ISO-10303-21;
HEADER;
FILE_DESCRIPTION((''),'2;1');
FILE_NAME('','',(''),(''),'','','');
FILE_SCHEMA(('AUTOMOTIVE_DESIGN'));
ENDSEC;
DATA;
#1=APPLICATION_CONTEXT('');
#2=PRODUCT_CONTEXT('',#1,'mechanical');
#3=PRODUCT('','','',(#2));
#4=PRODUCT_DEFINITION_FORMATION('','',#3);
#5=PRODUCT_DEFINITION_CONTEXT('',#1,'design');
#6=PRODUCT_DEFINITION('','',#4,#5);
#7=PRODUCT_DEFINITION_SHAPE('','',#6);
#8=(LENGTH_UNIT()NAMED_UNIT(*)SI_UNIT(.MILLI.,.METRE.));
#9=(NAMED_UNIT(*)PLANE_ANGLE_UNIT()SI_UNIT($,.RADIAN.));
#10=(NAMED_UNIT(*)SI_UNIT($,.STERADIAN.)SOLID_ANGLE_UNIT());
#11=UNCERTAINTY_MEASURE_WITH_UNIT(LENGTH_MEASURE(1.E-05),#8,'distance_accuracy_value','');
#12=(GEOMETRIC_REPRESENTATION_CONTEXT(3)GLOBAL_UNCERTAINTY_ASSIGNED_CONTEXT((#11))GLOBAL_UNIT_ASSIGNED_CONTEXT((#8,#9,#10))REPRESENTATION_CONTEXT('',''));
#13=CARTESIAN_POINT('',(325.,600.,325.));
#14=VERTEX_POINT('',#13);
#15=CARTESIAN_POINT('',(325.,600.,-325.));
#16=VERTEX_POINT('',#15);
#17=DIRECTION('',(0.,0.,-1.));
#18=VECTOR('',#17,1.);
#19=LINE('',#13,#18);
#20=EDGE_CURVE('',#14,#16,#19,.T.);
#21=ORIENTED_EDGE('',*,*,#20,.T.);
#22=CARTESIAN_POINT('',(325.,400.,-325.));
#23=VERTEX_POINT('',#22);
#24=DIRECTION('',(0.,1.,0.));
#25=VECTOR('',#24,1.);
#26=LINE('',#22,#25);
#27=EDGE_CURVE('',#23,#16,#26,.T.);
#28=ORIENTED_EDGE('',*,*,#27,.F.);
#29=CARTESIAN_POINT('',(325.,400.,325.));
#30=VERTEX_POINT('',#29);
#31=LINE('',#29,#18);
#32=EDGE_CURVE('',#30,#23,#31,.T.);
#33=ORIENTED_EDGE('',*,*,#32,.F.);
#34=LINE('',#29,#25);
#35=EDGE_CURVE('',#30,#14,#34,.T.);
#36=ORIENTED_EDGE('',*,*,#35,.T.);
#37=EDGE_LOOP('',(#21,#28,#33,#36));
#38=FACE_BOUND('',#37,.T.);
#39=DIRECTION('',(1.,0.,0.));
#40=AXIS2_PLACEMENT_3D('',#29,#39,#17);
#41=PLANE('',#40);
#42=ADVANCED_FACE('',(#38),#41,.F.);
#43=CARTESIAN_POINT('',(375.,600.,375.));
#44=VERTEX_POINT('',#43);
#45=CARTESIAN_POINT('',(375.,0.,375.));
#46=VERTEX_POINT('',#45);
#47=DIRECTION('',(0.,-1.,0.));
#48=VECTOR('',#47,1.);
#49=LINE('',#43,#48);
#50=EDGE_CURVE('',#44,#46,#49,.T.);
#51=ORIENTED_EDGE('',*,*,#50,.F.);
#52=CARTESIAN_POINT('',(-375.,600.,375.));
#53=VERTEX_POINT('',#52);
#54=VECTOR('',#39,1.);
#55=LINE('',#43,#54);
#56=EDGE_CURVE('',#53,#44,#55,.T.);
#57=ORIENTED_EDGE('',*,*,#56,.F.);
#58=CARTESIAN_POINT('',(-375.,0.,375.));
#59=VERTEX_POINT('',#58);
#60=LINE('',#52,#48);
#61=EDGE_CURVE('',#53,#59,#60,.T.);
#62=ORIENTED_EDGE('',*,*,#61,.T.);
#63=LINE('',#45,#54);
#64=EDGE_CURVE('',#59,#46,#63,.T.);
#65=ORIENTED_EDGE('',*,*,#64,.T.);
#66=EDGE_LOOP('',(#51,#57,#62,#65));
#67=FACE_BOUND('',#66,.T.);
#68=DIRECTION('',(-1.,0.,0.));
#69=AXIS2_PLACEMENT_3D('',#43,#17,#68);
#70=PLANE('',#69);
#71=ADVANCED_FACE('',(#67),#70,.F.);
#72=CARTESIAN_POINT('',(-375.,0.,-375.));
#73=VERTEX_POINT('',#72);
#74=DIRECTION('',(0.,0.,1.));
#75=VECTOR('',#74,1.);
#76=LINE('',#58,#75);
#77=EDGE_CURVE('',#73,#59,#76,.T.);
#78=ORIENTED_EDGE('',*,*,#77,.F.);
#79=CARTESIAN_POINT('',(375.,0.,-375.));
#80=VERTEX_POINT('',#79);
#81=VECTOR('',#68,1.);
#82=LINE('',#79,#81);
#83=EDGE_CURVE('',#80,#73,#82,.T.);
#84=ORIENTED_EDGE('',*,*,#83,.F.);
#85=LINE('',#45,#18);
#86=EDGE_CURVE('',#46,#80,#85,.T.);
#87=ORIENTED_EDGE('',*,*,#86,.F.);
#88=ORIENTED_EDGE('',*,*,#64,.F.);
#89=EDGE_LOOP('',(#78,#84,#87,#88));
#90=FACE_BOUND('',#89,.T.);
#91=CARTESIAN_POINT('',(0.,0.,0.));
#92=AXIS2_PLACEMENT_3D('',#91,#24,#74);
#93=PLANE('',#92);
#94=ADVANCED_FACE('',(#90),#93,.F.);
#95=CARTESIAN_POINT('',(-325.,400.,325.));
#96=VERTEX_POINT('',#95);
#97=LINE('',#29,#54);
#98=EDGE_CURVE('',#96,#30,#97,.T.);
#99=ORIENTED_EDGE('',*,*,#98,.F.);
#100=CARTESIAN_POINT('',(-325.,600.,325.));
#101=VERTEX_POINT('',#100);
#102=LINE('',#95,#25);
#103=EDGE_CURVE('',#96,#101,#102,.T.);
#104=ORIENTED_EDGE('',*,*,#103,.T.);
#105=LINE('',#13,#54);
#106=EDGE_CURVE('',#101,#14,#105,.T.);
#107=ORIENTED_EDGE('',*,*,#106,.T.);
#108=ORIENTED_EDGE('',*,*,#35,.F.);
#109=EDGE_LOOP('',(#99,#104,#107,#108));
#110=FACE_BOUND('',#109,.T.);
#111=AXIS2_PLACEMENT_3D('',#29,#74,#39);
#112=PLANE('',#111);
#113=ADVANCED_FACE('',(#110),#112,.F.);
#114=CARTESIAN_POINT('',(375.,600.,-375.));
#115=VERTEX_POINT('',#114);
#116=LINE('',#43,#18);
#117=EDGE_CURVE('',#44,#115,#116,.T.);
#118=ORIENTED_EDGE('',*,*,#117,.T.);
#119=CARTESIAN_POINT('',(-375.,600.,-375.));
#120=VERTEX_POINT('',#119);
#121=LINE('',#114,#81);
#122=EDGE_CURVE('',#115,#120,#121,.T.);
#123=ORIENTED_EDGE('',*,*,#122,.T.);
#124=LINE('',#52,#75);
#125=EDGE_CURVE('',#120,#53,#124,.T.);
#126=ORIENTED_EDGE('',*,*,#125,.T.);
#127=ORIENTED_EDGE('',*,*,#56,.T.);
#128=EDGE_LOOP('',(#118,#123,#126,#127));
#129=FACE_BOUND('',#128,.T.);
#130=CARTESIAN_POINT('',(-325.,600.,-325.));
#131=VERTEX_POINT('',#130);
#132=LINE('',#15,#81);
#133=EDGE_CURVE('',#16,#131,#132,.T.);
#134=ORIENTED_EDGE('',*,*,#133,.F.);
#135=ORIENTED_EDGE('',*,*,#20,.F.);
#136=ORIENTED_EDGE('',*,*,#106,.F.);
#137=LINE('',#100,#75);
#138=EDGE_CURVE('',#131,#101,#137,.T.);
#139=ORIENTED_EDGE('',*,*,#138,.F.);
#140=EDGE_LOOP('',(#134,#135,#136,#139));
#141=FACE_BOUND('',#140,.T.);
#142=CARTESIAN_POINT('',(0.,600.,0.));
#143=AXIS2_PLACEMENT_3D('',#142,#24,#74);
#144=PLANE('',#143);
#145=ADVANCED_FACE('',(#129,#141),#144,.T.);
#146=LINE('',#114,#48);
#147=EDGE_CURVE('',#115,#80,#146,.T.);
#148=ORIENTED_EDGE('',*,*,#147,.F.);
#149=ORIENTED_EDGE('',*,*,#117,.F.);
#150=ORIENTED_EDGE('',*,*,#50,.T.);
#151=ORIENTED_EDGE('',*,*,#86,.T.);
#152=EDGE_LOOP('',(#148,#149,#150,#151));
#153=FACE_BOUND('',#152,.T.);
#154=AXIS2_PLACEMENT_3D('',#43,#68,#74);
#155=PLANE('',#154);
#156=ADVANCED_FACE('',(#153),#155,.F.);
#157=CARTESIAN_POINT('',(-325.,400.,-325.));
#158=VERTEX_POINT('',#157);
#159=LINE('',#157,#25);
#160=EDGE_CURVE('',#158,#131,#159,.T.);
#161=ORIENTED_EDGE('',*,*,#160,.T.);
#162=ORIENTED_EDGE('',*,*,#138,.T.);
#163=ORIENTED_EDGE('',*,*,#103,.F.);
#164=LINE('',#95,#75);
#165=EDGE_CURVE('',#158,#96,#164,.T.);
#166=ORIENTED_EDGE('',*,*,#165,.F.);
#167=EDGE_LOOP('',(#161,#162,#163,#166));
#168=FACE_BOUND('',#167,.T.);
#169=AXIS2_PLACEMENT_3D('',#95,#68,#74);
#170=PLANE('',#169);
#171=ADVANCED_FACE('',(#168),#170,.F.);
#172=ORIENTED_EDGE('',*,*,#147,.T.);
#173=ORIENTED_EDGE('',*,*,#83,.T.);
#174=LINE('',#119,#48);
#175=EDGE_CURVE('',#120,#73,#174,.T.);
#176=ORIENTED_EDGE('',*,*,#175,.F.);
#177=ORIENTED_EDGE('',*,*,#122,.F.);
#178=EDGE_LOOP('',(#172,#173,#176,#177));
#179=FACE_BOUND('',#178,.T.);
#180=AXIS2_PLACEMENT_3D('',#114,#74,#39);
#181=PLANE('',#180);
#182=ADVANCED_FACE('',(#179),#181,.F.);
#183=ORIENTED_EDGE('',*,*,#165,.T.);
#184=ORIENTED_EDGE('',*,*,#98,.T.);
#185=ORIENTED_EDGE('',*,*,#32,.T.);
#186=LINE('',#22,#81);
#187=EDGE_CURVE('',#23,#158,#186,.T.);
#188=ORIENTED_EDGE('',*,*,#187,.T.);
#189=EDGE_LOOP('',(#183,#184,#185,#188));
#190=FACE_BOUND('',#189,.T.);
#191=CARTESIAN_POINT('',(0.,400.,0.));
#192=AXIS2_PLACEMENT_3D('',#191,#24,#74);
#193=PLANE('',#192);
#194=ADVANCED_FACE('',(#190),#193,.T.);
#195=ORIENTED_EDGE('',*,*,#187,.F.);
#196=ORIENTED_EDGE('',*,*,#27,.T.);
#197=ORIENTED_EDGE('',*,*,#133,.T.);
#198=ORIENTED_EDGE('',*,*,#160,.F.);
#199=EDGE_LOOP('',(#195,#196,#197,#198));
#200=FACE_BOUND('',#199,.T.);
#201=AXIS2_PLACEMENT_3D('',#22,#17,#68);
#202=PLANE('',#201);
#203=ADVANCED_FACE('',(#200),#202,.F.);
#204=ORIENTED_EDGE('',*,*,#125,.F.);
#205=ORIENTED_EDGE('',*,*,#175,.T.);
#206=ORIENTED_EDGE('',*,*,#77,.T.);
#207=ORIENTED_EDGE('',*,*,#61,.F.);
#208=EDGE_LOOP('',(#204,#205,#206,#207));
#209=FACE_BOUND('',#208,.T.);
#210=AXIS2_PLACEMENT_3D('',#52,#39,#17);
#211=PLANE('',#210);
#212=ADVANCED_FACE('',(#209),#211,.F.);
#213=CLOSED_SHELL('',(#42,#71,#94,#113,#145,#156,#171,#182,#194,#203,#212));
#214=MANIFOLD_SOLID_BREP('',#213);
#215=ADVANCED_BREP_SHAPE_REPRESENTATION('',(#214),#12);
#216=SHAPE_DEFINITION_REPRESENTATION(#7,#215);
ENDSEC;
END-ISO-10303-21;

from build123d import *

# Parameters (mm, degrees)
SKETCH1_W           = 750
SKETCH1_H           = 750
BOSS_EXTRUDE1_DEPTH = 600
SKETCH2_W           = 650
SKETCH2_H           = 650
CUT_EXTRUDE1_DEPTH  = 200


with BuildPart() as part:
    # Sketch1 → Boss-Extrude1 (new body)
    with BuildSketch(Plane(origin=(0, 0, 0), x_dir=(1, 0, 0), z_dir=(0, 1, 0))):
        Rectangle(SKETCH1_W, SKETCH1_H)
    extrude(amount=BOSS_EXTRUDE1_DEPTH)

    # Sketch2 → Cut-Extrude1 (cut)
    with BuildSketch(Plane(origin=(0, 600, 0), x_dir=(1, 0, 0), z_dir=(0, 1, 0))):
        Rectangle(SKETCH2_W, SKETCH2_H)
    extrude(amount=-CUT_EXTRUDE1_DEPTH, mode=Mode.SUBTRACT)


solid = part.part
